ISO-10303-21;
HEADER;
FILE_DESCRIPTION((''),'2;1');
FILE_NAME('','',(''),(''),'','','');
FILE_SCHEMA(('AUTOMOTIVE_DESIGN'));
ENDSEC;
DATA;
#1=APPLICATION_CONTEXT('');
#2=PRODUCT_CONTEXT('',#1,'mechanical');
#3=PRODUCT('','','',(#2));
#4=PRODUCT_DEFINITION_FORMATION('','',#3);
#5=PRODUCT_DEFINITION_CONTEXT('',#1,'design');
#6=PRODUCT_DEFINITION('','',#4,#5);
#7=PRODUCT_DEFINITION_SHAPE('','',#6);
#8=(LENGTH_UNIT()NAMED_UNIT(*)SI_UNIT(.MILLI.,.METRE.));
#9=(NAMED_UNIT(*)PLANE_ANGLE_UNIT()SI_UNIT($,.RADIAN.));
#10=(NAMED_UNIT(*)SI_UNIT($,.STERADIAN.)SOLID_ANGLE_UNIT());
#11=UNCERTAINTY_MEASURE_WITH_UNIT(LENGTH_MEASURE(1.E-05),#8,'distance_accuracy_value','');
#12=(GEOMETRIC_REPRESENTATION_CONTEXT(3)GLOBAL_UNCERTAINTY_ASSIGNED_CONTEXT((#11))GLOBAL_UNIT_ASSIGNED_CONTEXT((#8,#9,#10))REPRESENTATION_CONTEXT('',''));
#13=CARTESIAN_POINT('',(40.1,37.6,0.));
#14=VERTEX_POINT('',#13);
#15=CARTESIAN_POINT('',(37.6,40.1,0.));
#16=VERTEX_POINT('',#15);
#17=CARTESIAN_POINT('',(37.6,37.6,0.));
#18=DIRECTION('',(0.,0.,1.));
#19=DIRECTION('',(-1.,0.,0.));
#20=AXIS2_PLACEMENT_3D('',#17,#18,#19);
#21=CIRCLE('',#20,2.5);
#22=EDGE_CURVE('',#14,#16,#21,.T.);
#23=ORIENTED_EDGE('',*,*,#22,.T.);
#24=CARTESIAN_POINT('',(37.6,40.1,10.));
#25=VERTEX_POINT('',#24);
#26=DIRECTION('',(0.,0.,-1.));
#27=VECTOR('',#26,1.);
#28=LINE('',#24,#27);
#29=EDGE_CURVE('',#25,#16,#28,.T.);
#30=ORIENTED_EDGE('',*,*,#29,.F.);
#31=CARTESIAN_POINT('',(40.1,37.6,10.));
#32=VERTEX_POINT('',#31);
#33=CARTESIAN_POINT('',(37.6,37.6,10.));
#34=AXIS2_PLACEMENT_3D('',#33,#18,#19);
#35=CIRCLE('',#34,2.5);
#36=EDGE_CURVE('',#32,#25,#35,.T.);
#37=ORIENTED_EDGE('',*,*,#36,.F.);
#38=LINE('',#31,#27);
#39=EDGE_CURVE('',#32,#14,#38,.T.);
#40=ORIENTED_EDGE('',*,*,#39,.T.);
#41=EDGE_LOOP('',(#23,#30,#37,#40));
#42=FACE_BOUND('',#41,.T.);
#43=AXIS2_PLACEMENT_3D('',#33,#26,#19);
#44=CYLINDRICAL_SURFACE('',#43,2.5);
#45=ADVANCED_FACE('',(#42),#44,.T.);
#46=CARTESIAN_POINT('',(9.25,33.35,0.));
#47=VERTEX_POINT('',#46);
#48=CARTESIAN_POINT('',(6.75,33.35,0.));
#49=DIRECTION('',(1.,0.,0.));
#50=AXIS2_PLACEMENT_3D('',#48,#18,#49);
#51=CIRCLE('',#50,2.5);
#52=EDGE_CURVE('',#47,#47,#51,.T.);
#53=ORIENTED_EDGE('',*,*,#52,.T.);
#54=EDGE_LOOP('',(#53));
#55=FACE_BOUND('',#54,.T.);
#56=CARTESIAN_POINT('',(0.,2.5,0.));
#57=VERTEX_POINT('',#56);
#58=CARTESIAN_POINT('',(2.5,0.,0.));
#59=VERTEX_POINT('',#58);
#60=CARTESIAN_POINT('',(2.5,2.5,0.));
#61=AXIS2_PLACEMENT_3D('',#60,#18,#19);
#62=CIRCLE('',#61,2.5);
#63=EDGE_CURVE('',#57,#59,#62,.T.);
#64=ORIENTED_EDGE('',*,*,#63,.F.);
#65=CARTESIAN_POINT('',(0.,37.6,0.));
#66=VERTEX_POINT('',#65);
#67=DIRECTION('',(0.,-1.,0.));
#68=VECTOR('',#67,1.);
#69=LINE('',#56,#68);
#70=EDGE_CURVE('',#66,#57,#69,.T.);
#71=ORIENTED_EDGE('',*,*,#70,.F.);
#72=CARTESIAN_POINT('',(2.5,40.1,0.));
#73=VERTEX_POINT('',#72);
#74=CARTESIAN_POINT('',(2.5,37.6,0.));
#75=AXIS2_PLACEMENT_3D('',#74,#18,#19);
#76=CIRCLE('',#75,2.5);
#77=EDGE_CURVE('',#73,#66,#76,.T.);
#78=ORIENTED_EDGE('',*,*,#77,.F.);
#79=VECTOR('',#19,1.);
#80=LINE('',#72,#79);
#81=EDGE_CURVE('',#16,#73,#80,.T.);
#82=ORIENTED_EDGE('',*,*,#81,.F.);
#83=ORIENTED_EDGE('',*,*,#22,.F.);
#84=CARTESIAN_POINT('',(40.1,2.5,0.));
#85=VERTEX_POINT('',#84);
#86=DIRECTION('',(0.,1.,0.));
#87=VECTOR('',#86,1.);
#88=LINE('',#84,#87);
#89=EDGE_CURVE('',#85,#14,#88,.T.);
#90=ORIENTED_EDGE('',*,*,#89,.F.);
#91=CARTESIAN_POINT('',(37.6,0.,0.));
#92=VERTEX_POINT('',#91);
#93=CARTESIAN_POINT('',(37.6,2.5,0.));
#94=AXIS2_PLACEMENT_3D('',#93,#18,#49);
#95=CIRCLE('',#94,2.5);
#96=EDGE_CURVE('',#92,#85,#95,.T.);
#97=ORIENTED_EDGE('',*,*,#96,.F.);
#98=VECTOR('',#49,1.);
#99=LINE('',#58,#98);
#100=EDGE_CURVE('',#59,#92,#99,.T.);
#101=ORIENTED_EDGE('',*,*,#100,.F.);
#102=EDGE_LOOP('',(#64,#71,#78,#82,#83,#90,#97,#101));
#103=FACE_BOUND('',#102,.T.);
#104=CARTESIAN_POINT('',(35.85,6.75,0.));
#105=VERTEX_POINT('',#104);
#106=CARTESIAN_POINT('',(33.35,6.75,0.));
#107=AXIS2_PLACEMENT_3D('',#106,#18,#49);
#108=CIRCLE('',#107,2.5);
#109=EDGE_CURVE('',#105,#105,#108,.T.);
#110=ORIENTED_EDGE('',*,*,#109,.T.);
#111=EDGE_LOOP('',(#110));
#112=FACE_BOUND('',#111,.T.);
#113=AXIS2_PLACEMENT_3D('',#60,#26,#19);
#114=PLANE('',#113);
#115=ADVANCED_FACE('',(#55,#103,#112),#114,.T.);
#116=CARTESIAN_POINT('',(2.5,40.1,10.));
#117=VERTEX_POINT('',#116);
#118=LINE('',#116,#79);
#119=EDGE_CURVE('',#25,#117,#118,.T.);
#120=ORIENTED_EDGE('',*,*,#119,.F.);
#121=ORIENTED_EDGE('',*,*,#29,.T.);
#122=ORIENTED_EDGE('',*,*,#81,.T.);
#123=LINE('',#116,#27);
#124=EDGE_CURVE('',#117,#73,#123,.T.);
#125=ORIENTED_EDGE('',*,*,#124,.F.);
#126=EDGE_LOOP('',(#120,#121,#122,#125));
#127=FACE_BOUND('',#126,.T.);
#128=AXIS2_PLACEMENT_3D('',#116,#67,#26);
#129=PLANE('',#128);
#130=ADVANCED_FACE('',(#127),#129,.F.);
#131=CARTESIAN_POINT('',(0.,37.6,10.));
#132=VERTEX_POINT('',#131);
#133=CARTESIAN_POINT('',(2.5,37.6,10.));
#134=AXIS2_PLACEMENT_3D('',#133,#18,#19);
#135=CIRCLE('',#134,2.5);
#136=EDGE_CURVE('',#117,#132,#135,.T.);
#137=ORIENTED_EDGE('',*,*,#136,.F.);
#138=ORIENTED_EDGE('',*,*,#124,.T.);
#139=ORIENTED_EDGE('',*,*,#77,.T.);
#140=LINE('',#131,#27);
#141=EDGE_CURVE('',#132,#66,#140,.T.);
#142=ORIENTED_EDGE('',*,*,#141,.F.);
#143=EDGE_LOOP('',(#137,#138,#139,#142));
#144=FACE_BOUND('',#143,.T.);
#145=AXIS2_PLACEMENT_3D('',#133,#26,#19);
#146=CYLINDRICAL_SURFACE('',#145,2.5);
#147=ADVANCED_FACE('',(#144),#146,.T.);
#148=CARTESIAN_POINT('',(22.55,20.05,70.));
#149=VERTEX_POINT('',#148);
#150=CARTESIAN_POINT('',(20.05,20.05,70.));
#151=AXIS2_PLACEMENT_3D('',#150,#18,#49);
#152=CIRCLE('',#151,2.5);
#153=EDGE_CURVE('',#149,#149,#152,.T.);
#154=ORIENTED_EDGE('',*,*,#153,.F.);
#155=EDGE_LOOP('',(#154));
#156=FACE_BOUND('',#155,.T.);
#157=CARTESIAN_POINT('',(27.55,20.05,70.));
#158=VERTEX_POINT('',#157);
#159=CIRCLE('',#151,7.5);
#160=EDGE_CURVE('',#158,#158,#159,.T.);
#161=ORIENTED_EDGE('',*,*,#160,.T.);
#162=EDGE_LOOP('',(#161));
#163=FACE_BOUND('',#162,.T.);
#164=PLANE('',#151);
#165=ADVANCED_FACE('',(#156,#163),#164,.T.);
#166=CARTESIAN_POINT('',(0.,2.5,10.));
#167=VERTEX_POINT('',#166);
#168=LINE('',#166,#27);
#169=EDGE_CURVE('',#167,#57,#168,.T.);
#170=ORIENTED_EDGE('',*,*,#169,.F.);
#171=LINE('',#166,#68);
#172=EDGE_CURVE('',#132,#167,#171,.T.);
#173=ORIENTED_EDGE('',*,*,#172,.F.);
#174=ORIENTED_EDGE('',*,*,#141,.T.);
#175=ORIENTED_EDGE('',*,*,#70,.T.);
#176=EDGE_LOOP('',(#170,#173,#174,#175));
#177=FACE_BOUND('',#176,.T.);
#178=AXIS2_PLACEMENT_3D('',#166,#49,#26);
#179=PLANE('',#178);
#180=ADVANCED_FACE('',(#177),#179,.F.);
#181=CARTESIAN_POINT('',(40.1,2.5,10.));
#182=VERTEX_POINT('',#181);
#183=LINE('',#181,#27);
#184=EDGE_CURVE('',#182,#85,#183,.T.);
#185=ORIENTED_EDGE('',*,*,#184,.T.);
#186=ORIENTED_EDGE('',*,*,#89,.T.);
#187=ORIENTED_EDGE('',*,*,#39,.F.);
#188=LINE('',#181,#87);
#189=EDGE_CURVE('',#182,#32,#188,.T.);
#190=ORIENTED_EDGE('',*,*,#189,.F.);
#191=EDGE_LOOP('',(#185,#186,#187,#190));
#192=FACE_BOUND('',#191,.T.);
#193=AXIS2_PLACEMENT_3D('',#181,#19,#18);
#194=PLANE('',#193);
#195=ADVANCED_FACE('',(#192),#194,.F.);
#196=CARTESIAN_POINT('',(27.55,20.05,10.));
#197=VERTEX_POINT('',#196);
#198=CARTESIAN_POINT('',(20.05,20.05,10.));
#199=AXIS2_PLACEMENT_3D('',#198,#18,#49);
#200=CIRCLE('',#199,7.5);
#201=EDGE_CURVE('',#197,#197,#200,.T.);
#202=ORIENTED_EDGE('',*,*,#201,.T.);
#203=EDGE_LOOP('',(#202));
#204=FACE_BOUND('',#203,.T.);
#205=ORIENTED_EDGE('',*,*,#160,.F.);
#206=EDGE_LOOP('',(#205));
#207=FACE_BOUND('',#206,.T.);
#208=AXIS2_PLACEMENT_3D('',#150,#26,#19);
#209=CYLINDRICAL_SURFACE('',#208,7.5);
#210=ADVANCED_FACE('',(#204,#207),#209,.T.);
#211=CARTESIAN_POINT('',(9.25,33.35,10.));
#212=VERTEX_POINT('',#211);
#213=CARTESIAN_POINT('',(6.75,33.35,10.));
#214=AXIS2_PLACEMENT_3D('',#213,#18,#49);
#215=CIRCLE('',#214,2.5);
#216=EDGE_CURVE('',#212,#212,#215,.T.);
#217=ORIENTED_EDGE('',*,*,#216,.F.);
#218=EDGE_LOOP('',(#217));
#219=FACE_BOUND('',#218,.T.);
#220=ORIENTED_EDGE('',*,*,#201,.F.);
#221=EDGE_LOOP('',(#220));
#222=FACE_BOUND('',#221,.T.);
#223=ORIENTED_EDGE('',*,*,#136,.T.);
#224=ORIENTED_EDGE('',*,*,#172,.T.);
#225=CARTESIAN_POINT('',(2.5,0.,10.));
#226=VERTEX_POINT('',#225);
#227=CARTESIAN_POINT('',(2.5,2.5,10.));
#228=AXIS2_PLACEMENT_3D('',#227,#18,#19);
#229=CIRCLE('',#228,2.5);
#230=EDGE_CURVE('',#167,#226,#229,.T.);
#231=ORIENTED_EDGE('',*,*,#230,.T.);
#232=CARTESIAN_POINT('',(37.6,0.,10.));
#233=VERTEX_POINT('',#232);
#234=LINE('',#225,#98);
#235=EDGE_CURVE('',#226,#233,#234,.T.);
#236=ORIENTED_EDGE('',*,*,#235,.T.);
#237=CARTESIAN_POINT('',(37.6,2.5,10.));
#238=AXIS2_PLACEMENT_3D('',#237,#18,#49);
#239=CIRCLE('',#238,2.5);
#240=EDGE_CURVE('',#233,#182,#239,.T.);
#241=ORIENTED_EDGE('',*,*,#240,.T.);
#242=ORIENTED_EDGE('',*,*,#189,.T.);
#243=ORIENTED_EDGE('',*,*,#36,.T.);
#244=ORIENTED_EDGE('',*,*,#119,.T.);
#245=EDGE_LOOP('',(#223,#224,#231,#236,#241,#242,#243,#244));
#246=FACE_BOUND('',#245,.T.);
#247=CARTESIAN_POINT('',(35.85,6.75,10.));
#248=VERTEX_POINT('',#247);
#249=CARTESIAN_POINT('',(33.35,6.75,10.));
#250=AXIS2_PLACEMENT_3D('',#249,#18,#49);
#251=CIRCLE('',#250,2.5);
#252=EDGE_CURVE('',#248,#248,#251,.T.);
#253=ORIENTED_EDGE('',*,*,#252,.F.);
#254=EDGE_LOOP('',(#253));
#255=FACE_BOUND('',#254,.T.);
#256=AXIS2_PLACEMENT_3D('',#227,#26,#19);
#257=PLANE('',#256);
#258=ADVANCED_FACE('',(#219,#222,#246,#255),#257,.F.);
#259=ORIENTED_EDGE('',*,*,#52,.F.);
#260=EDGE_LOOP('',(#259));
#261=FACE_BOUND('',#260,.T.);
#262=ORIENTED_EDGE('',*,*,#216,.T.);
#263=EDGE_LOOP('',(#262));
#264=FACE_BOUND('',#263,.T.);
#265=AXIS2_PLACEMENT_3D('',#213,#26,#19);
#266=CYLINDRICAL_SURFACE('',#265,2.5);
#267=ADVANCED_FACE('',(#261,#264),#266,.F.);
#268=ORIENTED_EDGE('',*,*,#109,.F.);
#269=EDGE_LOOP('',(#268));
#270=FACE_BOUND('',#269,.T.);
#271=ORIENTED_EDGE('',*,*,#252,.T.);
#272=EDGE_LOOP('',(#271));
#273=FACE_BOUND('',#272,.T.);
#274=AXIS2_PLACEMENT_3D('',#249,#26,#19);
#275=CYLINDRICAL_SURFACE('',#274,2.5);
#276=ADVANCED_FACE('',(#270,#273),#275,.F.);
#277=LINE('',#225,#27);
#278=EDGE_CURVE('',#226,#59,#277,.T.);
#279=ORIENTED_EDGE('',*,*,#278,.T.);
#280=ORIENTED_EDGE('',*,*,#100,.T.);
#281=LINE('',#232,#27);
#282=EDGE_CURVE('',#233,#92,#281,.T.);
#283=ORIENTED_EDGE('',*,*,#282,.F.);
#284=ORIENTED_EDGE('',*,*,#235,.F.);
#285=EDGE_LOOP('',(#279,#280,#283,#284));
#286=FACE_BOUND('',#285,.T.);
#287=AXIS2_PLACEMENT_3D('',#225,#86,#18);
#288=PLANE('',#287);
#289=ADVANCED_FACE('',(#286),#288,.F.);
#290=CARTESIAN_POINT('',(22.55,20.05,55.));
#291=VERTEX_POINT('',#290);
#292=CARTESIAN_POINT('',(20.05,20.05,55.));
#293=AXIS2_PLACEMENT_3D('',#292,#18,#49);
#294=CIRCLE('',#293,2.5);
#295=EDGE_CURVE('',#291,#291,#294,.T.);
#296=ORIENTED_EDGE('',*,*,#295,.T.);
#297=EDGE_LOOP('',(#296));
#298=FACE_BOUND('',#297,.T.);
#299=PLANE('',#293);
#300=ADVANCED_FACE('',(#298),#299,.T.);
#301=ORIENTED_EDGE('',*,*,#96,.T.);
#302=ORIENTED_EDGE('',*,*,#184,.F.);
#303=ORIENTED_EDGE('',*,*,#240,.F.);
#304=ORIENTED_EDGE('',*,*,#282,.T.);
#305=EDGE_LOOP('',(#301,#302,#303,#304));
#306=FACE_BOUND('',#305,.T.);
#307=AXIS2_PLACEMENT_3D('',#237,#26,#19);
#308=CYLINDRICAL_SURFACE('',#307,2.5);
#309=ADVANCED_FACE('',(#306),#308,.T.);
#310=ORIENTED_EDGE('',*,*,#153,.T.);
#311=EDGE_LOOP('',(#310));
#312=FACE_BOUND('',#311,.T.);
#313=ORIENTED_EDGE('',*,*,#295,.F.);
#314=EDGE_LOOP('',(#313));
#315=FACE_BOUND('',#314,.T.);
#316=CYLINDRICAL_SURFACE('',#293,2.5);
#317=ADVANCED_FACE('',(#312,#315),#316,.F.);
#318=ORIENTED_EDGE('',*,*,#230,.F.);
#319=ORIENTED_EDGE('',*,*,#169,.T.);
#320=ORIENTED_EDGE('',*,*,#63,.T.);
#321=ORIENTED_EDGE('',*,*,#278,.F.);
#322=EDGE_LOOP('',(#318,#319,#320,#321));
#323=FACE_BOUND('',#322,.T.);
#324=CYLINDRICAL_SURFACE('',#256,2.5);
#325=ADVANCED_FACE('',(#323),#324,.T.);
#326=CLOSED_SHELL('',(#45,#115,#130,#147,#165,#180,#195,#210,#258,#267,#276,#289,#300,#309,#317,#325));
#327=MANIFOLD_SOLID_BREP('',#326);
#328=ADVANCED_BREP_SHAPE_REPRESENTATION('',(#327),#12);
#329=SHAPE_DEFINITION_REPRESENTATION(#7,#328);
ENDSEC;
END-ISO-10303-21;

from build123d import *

# Parameters (mm, degrees)
SKETCH1_R           = 2.5
BOSS_EXTRUDE1_DEPTH = 10
SKETCH2_R           = 7.5
BOSS_EXTRUDE2_DEPTH = 60
SKETCH3_R           = 2.5
CUT_EXTRUDE1_DEPTH  = 15


with BuildPart() as part:
    # Sketch1 → Boss-Extrude1 (new body)
    with BuildSketch(Plane.XY):
        with BuildLine():
            Line((2.5, 0), (37.6, 0))
            ThreePointArc((37.6, 0), (39.367766953, 0.732233047), (40.1, 2.5))
            Line((40.1, 2.5), (40.1, 37.6))
            ThreePointArc((40.1, 37.6), (39.367766953, 39.367766953), (37.6, 40.1))
            Line((37.6, 40.1), (2.5, 40.1))
            ThreePointArc((2.5, 40.1), (0.732233047, 39.367766953), (0, 37.6))
            Line((0, 37.6), (0, 2.5))
            ThreePointArc((0, 2.5), (0.732233047, 0.732233047), (2.5, 0))
        make_face()
        with Locations((6.75, 33.35)):
            Circle(SKETCH1_R, mode=Mode.SUBTRACT)
        with Locations((33.35, 6.75)):
            Circle(SKETCH1_R, mode=Mode.SUBTRACT)
    extrude(amount=BOSS_EXTRUDE1_DEPTH)

    # Sketch2 → Boss-Extrude2 (add)
    with BuildSketch(Plane.XY.offset(10)):
        with Locations((20.05, 20.05)):
            Circle(SKETCH2_R)
    extrude(amount=BOSS_EXTRUDE2_DEPTH)

    # Sketch3 → Cut-Extrude1 (cut)
    with BuildSketch(Plane.XY.offset(70)):
        with Locations((20.05, 20.05)):
            Circle(SKETCH3_R)
    extrude(amount=-CUT_EXTRUDE1_DEPTH, mode=Mode.SUBTRACT)


solid = part.part
